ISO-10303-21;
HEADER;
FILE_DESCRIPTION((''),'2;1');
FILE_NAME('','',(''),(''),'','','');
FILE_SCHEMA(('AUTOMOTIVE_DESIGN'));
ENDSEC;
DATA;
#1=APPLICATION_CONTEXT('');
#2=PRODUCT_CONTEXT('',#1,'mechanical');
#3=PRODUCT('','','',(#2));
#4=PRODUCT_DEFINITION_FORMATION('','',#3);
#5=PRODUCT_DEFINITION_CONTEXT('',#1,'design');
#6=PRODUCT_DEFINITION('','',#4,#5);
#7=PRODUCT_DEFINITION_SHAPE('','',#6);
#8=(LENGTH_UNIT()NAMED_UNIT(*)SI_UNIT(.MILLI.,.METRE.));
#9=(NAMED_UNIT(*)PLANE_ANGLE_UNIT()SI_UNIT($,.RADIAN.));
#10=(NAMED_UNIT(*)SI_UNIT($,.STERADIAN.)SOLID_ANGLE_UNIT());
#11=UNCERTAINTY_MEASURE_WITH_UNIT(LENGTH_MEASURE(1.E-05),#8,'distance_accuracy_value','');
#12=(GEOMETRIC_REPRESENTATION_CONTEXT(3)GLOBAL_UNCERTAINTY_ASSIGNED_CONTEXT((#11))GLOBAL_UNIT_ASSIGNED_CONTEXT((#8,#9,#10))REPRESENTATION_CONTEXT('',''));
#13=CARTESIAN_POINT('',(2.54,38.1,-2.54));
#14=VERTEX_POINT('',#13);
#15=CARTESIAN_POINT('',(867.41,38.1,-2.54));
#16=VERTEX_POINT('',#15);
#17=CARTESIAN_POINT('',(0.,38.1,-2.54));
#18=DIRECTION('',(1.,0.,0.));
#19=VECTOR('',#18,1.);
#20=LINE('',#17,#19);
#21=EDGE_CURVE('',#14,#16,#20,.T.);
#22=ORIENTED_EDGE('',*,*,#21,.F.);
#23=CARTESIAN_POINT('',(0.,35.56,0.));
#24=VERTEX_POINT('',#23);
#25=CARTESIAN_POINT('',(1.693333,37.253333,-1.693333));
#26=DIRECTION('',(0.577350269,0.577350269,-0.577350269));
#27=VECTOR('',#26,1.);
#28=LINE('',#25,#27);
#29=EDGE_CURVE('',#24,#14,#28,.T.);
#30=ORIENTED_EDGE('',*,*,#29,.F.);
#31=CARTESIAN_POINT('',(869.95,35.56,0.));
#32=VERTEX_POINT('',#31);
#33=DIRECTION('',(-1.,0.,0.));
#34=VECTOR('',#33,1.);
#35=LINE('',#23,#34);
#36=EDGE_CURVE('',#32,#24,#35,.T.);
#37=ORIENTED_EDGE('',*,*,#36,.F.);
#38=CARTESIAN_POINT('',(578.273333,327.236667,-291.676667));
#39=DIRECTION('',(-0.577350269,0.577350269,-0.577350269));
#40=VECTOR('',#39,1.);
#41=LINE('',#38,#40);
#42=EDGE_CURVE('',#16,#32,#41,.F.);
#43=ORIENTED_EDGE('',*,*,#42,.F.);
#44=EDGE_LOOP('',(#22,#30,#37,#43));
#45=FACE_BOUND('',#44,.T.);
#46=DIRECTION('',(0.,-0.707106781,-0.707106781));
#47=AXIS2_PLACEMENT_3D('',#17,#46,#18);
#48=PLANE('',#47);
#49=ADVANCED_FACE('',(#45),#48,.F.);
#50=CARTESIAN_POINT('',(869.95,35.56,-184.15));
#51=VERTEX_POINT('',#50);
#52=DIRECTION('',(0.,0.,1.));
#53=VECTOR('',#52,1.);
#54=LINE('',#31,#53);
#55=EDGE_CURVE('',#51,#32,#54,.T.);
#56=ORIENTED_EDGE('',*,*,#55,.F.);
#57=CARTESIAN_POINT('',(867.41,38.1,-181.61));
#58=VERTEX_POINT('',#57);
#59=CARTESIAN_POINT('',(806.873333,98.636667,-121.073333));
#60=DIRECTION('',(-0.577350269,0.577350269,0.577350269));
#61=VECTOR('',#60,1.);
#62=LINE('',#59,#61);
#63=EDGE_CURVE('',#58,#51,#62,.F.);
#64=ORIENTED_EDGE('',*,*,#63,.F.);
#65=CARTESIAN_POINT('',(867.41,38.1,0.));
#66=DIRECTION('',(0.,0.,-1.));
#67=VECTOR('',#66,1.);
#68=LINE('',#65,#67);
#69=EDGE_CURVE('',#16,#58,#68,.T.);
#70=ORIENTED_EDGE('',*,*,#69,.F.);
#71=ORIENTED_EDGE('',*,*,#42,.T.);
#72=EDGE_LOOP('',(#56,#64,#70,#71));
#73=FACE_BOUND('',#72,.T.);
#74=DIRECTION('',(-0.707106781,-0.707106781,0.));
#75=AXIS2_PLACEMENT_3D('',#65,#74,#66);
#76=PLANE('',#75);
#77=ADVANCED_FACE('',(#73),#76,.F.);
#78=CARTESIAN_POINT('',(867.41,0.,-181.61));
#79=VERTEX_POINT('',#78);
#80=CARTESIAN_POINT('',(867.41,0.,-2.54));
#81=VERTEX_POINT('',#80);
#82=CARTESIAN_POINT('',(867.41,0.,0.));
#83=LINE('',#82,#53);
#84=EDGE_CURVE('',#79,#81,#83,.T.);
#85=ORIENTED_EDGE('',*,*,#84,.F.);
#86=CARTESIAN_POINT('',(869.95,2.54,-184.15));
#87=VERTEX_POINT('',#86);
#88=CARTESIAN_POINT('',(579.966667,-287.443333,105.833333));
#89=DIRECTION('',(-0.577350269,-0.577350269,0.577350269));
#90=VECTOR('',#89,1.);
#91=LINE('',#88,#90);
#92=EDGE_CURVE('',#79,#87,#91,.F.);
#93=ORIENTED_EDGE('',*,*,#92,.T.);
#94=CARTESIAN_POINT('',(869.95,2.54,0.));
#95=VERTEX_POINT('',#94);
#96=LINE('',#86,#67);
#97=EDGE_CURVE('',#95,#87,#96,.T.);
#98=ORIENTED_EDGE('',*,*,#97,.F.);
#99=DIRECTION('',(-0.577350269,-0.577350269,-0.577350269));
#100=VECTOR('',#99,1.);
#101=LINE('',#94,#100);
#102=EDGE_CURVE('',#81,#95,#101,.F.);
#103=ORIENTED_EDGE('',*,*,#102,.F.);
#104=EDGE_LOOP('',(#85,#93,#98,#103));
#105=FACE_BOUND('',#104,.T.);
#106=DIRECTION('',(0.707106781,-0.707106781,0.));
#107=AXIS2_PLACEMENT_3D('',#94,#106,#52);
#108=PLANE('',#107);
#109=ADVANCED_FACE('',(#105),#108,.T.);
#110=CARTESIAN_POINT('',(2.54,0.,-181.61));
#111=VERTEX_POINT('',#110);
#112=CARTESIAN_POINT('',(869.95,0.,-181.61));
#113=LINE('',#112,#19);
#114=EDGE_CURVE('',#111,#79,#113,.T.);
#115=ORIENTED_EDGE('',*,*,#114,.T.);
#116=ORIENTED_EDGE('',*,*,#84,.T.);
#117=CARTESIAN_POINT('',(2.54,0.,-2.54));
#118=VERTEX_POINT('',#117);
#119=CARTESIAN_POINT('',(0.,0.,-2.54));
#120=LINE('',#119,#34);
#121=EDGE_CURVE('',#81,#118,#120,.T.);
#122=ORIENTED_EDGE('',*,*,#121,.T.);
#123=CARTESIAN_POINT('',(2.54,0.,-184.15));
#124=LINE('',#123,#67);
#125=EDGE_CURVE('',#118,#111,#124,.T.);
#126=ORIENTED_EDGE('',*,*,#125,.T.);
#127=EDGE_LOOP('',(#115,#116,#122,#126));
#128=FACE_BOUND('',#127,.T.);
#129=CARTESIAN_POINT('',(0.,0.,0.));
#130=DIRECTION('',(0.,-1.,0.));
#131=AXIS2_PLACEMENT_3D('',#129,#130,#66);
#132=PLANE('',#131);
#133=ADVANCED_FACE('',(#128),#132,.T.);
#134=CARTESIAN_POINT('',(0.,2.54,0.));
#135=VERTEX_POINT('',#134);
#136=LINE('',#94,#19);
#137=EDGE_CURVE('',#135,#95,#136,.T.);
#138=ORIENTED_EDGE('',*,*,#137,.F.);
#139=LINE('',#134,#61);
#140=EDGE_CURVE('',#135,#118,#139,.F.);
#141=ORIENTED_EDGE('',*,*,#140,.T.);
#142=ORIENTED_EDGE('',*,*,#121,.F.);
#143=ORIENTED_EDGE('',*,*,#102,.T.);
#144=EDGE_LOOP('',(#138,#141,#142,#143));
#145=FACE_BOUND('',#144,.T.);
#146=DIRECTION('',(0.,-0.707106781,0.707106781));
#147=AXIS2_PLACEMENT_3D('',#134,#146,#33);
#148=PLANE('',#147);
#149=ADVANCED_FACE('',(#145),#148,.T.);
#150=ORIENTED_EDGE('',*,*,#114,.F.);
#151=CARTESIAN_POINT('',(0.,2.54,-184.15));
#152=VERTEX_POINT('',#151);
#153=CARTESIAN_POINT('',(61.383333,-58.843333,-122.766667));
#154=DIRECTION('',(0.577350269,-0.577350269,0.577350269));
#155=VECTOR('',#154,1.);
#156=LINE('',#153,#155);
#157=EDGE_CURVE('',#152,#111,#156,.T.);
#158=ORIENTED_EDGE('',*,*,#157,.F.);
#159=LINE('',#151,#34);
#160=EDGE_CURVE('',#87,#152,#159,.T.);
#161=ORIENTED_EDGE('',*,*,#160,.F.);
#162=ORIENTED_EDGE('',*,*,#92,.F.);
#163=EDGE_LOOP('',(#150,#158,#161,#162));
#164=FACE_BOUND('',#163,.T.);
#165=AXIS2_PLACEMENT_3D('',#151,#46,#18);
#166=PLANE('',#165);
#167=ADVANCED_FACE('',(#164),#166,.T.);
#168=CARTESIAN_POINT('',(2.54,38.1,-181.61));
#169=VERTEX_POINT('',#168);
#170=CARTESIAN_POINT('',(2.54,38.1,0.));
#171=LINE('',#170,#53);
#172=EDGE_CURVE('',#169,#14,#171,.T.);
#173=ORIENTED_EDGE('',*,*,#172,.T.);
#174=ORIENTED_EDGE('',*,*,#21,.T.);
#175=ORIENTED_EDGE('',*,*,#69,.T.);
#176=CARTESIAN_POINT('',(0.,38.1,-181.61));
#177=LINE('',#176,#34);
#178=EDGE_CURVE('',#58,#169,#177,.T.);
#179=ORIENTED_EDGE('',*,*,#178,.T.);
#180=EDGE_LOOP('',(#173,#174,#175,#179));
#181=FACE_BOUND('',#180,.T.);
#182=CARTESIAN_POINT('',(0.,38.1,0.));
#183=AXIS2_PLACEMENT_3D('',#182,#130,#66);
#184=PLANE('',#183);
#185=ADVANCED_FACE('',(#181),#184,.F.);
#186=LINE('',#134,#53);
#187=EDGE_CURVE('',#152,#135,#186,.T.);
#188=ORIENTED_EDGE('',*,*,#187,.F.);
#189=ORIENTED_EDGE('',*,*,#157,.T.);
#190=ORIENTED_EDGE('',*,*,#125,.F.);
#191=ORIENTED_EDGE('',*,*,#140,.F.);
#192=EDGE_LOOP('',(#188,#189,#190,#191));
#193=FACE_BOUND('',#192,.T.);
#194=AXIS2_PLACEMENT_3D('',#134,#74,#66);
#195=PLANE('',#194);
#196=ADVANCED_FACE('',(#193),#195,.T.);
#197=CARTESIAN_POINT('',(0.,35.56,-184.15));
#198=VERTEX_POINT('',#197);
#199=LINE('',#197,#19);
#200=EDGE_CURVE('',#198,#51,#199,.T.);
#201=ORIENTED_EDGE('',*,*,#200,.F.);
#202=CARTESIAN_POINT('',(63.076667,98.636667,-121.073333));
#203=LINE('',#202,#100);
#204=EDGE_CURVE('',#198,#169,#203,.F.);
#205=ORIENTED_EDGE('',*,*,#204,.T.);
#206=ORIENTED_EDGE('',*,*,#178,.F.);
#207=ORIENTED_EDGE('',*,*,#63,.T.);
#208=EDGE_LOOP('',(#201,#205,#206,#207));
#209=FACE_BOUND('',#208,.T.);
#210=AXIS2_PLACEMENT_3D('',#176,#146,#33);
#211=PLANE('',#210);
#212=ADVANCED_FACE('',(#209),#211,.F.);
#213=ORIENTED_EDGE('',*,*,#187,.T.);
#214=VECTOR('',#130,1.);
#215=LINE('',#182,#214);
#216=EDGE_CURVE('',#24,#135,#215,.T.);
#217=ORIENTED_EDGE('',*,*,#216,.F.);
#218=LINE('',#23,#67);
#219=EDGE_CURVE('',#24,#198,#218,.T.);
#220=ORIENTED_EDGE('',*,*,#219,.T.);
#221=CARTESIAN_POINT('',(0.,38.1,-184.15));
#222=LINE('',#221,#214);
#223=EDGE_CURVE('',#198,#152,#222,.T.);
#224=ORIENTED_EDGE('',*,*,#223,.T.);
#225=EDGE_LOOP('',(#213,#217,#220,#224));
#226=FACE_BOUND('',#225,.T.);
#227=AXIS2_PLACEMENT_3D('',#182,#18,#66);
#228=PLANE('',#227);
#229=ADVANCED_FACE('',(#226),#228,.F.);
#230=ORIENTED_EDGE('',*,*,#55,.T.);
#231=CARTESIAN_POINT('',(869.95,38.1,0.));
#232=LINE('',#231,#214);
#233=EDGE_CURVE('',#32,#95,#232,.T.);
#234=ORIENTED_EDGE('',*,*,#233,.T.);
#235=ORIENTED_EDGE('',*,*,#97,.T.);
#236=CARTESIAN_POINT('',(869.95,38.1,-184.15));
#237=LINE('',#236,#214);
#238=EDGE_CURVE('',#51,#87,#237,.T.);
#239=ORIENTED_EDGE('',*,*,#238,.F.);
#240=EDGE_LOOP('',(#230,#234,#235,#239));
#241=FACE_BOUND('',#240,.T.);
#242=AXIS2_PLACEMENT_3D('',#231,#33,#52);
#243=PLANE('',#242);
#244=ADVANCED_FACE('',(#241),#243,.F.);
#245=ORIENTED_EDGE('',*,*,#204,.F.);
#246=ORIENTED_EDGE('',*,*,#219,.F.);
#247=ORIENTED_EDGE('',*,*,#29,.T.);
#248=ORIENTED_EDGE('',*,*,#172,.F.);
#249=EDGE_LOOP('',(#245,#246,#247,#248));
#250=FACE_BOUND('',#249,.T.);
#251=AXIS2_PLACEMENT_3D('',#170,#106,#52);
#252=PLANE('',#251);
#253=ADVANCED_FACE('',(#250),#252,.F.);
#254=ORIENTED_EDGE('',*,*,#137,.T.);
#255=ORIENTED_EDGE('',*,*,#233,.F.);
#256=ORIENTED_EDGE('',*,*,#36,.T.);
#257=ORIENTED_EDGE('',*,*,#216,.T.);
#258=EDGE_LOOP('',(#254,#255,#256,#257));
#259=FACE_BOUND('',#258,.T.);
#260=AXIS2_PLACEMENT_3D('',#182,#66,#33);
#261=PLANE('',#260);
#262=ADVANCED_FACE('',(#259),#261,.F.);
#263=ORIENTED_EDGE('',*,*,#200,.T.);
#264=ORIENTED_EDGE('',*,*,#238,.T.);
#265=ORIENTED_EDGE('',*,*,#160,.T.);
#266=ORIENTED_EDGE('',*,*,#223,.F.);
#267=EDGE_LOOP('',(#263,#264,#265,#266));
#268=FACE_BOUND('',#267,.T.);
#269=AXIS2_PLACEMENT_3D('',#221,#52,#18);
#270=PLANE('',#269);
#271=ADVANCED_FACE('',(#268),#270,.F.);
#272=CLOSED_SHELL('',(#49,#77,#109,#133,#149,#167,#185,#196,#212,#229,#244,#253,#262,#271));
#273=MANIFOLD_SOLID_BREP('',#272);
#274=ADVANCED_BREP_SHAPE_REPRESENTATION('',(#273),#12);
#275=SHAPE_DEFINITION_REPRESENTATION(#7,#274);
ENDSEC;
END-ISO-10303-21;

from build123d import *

# Parameters (mm, degrees)
SKETCH1_W           = 869.95
SKETCH1_H           = 184.15
BOSS_EXTRUDE1_DEPTH = 38.1
CHAMFER1_SIZE       = 2.54


with BuildPart() as part:
    # Sketch1 → Boss-Extrude1 (new body)
    with BuildSketch(Plane(origin=(0, 0, 0), x_dir=(1, 0, 0), z_dir=(0, 1, 0))):
        with Locations((434.975, 92.075)):
            Rectangle(SKETCH1_W, SKETCH1_H)
    extrude(amount=BOSS_EXTRUDE1_DEPTH)

    # Chamfer1
    chamfer1_edges = [part.edges().sort_by_distance(p)[0] for p in [
        (869.95, 38.1, -92.075),
        (434.975, 38.1, -184.15),
        (0, 38.1, -92.075),
        (434.975, 0, -184.15),
        (869.95, 0, -92.075),
        (434.975, 0, 0),
        (0, 0, -92.075),
        (434.975, 38.1, 0),
    ]]
    chamfer(chamfer1_edges, length=CHAMFER1_SIZE)


solid = part.part
